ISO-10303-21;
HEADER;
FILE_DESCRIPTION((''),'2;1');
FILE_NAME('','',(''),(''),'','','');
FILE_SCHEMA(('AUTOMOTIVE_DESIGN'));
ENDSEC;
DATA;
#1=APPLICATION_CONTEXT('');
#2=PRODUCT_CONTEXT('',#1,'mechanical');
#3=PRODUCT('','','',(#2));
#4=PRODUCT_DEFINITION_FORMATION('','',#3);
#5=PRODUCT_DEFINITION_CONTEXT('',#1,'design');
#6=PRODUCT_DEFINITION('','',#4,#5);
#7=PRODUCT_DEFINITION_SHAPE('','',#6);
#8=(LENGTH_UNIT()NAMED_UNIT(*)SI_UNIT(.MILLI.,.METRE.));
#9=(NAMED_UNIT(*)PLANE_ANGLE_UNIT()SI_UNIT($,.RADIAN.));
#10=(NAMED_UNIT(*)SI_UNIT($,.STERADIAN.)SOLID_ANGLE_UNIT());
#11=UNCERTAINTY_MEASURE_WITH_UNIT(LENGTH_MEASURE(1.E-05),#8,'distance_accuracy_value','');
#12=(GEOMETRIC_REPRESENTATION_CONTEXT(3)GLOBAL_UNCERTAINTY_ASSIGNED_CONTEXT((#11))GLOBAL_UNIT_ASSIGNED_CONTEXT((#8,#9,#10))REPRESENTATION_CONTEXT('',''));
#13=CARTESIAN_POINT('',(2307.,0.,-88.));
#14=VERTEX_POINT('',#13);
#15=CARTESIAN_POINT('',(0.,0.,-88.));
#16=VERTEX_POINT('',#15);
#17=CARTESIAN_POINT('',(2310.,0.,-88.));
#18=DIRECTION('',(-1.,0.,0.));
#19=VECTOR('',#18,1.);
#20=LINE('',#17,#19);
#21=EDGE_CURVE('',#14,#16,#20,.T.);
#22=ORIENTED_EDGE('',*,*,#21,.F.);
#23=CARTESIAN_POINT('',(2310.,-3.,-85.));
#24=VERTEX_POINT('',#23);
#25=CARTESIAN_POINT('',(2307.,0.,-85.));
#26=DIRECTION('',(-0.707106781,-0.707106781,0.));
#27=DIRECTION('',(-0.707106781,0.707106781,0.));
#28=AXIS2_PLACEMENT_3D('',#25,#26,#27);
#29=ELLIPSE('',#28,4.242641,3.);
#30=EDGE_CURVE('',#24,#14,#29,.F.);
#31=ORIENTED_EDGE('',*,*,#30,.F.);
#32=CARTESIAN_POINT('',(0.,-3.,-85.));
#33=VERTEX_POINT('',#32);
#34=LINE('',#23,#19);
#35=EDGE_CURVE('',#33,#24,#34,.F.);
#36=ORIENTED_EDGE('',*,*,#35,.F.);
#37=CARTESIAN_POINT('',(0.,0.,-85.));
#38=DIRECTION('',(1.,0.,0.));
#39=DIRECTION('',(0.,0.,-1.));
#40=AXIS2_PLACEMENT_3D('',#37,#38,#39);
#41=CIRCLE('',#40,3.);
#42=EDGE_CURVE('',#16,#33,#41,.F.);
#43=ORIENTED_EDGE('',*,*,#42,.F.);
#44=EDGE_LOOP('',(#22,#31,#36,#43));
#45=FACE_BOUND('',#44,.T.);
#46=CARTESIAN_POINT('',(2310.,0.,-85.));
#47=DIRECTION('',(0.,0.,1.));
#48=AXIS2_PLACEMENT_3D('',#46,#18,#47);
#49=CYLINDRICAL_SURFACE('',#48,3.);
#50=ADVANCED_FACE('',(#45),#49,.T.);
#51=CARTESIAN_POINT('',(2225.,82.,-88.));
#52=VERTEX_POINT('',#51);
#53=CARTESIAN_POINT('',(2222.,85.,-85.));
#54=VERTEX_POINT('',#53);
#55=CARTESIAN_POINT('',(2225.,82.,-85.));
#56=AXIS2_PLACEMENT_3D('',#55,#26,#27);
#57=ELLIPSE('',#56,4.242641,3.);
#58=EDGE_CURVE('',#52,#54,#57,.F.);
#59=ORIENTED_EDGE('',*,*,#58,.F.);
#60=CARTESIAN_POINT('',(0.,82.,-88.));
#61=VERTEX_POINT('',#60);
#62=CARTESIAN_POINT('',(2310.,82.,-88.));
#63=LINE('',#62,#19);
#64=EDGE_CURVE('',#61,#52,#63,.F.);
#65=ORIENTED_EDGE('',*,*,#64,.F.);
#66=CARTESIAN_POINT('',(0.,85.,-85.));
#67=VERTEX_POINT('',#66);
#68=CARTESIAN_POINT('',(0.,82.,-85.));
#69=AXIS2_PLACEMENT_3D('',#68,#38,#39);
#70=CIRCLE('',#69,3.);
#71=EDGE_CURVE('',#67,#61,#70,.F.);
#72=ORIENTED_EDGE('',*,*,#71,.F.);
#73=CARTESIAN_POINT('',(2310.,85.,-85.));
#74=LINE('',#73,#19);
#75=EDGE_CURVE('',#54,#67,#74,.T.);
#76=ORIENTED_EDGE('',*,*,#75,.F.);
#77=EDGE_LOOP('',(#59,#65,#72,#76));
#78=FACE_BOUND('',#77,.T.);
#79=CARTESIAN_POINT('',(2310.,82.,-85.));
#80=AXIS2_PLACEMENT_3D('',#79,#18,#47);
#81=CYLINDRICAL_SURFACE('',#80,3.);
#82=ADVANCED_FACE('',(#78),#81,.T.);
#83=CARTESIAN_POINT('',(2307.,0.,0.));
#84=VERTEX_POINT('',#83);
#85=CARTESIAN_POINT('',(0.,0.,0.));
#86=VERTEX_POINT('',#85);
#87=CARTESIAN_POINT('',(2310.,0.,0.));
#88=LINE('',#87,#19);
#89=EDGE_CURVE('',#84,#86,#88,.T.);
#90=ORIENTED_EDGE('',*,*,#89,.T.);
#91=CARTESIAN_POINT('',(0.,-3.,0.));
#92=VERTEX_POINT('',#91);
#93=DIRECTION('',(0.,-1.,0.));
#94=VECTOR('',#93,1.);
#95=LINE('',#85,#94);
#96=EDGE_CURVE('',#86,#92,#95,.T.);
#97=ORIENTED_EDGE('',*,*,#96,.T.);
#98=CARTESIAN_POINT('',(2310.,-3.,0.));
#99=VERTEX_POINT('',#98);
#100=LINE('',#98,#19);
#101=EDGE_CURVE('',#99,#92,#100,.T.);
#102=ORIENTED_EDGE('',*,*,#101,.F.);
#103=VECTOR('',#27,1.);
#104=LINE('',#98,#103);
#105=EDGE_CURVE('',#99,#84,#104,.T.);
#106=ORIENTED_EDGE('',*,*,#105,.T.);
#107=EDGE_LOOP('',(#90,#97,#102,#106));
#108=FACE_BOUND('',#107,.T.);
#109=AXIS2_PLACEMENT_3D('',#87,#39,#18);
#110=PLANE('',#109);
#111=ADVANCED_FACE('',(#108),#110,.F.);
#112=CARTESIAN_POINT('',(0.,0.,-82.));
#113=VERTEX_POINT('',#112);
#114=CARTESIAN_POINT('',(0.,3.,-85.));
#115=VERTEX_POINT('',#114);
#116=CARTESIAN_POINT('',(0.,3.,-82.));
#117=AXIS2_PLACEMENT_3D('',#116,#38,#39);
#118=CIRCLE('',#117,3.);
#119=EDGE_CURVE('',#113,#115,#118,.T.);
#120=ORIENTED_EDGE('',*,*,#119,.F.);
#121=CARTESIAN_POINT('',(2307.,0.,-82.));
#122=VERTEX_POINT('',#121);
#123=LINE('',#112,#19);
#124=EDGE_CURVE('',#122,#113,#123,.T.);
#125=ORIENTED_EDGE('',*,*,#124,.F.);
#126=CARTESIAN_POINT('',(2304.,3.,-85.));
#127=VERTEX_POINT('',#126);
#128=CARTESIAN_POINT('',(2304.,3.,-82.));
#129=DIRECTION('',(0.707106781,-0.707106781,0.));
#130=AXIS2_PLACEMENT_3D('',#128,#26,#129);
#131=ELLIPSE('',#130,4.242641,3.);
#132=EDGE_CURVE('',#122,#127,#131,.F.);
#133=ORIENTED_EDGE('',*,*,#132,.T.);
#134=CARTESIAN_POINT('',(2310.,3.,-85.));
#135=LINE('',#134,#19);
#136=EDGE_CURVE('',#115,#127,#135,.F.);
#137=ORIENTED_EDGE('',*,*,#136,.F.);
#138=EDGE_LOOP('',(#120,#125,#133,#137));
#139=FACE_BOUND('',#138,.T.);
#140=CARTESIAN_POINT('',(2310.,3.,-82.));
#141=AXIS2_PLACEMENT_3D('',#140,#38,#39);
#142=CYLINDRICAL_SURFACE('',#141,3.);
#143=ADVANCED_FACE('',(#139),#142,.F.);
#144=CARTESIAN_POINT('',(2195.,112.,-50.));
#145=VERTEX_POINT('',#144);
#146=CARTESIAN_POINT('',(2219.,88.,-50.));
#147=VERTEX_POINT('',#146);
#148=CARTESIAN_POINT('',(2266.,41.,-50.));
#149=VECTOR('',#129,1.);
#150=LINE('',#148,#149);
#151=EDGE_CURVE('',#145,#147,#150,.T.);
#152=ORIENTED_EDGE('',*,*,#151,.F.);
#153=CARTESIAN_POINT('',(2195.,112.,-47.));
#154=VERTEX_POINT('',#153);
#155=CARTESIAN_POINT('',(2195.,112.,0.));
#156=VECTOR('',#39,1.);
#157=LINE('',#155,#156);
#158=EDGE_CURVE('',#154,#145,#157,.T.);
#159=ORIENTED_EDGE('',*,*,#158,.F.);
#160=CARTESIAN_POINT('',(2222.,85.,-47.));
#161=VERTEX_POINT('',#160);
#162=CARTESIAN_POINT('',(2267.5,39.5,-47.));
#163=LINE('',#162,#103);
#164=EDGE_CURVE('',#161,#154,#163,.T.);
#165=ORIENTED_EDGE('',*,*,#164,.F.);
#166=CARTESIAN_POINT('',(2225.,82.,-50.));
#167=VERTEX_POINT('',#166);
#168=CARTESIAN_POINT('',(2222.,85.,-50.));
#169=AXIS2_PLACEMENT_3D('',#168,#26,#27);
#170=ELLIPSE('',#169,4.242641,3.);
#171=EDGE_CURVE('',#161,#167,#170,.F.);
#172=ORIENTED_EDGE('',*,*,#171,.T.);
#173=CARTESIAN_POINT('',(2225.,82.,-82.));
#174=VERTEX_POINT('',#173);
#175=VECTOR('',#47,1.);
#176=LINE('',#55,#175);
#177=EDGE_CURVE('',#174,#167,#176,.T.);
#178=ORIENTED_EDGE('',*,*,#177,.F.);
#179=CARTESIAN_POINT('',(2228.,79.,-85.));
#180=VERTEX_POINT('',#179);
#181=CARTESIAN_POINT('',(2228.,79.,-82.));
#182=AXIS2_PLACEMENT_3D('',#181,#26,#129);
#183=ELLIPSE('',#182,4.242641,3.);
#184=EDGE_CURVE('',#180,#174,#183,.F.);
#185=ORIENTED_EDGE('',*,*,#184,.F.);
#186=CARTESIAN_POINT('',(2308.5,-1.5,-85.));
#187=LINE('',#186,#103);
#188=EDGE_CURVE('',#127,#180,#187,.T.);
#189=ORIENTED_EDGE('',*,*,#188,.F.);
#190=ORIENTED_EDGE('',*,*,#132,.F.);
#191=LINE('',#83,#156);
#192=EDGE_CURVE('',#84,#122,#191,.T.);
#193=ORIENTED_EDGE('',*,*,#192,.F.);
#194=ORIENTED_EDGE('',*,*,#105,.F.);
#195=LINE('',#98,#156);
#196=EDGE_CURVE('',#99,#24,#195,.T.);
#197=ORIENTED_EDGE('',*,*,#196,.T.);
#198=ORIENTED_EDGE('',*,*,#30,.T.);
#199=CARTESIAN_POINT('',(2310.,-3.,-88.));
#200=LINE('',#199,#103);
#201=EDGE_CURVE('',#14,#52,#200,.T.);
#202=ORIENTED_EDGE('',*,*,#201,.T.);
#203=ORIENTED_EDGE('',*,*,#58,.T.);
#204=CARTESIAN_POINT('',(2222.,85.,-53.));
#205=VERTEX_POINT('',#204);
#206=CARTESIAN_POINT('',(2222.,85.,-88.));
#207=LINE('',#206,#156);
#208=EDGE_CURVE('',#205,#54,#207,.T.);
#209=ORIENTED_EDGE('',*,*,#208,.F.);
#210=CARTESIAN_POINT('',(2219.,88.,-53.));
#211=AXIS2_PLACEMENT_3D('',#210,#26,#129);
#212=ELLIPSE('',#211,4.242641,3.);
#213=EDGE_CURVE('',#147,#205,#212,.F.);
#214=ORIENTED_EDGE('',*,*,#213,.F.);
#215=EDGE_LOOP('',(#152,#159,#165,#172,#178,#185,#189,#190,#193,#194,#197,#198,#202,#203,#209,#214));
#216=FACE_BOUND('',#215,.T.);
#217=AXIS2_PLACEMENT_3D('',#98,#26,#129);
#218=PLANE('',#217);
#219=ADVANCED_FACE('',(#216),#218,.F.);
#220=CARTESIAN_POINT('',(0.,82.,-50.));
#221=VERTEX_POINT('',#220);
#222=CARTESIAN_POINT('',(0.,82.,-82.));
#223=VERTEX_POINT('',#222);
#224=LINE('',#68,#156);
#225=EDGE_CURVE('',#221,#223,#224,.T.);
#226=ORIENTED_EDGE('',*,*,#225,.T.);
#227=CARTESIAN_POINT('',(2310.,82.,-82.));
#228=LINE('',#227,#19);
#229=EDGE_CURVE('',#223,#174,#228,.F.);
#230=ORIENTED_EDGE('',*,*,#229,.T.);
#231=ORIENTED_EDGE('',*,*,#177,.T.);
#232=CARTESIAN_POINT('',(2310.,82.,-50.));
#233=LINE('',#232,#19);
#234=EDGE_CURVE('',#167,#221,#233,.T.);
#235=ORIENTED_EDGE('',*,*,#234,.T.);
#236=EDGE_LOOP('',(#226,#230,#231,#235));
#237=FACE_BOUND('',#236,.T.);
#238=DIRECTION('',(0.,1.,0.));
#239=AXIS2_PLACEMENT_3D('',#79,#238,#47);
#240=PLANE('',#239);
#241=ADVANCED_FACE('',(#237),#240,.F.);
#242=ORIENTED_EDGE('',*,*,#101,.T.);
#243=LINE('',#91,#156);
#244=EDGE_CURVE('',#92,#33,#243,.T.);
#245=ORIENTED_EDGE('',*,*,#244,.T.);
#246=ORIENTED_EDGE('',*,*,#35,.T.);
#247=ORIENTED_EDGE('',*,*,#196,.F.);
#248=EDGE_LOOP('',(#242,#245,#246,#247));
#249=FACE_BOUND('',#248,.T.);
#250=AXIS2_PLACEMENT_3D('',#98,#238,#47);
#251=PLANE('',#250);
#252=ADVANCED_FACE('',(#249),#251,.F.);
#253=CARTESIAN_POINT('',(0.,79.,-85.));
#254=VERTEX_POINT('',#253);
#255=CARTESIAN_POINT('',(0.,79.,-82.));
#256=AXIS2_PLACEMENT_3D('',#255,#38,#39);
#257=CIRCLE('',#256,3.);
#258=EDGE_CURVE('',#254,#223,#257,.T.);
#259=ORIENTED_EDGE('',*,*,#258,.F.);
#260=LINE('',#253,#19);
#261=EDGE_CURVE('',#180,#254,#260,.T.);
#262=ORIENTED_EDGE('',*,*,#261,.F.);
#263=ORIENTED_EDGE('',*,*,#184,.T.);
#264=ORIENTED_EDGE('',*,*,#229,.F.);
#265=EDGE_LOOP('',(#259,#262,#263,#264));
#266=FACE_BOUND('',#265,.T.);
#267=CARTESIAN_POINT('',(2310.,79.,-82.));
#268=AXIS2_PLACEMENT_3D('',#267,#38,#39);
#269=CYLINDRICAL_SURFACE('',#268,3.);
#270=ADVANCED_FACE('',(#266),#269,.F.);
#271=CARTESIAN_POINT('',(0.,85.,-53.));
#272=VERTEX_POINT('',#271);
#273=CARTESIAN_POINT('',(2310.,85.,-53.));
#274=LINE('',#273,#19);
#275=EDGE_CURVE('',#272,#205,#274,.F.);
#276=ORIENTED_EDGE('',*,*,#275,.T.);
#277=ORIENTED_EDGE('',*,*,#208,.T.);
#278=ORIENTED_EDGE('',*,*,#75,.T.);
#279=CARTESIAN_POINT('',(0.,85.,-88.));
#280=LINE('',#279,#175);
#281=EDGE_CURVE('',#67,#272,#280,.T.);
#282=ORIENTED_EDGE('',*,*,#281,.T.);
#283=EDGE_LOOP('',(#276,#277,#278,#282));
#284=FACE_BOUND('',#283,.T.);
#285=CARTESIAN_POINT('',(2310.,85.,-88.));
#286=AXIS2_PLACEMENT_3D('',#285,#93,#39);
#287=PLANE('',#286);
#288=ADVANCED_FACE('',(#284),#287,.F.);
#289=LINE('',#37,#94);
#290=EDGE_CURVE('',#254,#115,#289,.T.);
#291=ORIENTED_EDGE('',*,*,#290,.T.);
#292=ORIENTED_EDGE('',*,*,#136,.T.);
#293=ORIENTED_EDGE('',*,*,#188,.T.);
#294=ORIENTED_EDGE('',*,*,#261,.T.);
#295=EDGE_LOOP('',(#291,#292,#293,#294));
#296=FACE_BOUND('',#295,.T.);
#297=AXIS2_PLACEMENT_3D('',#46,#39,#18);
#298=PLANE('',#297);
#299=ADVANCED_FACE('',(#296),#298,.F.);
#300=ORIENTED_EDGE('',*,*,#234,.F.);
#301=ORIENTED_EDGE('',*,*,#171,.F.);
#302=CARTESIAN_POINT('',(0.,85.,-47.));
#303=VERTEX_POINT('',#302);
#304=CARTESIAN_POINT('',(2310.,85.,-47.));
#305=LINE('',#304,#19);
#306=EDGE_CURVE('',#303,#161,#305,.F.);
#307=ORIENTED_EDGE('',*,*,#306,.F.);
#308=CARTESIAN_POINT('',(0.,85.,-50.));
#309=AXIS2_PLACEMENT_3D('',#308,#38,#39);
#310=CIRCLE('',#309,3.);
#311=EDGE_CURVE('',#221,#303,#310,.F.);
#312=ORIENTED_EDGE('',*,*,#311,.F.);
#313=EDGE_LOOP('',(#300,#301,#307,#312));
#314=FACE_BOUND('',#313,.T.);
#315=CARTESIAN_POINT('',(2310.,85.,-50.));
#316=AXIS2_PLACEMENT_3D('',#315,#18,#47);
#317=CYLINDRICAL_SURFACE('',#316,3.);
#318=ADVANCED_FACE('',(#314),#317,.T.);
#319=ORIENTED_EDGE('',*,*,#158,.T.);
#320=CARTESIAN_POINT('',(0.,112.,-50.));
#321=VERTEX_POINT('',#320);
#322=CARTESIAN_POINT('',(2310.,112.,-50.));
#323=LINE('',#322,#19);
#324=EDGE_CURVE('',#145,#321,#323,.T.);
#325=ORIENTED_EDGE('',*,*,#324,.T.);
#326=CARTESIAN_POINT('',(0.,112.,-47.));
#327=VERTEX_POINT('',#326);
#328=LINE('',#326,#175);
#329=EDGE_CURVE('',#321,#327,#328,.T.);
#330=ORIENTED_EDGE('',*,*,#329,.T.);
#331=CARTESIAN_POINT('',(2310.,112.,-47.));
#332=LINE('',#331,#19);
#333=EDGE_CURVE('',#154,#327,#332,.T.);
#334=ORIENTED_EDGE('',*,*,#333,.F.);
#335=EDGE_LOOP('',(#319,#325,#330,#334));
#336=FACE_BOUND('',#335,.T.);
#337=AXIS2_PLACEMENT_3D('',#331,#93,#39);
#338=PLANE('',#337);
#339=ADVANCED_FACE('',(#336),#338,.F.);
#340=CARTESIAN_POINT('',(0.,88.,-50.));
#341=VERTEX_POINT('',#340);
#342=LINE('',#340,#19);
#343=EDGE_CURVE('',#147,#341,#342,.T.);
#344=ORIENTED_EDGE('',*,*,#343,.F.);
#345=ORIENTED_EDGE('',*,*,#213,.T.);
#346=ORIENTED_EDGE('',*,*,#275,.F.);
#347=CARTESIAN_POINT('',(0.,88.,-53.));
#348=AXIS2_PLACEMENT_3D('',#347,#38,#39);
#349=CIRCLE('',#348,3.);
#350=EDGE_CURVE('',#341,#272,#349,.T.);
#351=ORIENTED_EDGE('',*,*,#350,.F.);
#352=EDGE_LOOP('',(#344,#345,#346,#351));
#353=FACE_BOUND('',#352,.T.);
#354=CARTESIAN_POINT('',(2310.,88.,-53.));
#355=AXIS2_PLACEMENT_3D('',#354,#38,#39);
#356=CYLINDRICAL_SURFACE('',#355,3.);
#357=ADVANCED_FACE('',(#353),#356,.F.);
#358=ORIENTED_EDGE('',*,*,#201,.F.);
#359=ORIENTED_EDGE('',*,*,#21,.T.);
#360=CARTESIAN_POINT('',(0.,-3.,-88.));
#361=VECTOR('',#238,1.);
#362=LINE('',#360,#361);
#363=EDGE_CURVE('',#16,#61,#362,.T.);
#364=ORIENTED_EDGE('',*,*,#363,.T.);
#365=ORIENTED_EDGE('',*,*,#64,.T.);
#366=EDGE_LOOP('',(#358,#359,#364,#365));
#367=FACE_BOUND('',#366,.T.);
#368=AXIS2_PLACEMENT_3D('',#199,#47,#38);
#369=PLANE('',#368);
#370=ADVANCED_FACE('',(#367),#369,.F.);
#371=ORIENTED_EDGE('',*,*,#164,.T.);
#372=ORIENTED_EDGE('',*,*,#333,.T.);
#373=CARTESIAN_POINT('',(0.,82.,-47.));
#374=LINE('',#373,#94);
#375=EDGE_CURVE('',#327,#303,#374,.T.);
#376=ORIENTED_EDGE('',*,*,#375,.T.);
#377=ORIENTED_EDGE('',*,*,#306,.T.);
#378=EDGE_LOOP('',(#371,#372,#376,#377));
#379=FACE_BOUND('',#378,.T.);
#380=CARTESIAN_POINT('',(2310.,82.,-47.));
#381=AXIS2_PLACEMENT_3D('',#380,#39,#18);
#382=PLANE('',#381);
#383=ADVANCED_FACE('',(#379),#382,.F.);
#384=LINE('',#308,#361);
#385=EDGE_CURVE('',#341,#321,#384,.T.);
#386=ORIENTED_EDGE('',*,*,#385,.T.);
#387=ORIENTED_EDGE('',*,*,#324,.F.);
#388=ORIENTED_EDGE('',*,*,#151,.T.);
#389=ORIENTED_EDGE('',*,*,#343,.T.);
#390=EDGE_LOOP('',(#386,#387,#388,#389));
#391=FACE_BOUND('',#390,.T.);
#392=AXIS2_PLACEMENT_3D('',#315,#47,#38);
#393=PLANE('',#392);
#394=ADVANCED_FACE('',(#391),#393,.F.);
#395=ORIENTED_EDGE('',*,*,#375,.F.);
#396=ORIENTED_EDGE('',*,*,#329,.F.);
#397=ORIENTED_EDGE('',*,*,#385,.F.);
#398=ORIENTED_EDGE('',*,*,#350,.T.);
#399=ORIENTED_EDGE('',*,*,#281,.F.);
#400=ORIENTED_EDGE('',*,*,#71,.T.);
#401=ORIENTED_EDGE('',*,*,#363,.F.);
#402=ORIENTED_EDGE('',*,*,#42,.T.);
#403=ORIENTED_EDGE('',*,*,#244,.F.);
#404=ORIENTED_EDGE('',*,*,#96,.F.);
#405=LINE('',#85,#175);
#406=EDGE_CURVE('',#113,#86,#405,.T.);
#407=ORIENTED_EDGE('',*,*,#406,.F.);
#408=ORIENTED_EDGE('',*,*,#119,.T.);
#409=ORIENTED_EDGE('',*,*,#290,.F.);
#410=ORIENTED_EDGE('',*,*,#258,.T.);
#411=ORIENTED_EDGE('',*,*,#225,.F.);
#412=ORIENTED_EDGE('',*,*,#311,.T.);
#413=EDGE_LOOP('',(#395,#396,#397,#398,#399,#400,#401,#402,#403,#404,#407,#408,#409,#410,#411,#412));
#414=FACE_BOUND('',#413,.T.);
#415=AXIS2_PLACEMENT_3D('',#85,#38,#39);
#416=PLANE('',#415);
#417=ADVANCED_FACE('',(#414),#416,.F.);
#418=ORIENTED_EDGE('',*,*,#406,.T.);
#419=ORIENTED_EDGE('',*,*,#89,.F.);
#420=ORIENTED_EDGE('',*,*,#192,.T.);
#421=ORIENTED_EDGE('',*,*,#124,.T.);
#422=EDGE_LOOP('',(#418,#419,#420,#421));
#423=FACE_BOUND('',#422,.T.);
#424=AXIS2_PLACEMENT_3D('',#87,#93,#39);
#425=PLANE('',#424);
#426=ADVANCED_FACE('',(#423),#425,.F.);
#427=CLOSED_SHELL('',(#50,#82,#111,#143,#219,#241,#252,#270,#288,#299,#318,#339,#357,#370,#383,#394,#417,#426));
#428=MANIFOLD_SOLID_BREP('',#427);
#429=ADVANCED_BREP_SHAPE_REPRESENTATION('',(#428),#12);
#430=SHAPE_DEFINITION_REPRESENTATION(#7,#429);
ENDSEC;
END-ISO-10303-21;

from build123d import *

# Parameters (mm, degrees)
BOSS_EXTRUDE1_DEPTH = 2310
FILLET1_R           = 3
CUT_EXTRUDE1_DEPTH  = 88


with BuildPart() as part:
    # Sketch1 → Boss-Extrude1 (new body)
    with BuildSketch(Plane(origin=(0, 0, 0), x_dir=(0, 0, -1), z_dir=(1, 0, 0))):
        Polygon((0, 0), (85, 0), (85, 82), (47, 82), (47, 112), (50, 112), (50, 85), (88, 85), (88, -3), (0, -3), align=None)
    extrude(amount=BOSS_EXTRUDE1_DEPTH)

    # Fillet1
    fillet1_edges = [part.edges().sort_by_distance(p)[0] for p in [
        (1155, 0, -85),
        (1155, 82, -85),
        (1155, 82, -47),
        (1155, 85, -50),
        (1155, 85, -88),
        (1155, -3, -88),
    ]]
    fillet(fillet1_edges, radius=FILLET1_R)

    # Sketch4 → Cut-Extrude1 (cut)
    with BuildSketch(Plane(origin=(0, 0, -88), x_dir=(-1, 0, 0), z_dir=(0, 0, -1))):
        Polygon((-2310, -3), (-2195, 112), (-2310, 112), align=None)
    extrude(amount=-CUT_EXTRUDE1_DEPTH, mode=Mode.SUBTRACT)


solid = part.part
